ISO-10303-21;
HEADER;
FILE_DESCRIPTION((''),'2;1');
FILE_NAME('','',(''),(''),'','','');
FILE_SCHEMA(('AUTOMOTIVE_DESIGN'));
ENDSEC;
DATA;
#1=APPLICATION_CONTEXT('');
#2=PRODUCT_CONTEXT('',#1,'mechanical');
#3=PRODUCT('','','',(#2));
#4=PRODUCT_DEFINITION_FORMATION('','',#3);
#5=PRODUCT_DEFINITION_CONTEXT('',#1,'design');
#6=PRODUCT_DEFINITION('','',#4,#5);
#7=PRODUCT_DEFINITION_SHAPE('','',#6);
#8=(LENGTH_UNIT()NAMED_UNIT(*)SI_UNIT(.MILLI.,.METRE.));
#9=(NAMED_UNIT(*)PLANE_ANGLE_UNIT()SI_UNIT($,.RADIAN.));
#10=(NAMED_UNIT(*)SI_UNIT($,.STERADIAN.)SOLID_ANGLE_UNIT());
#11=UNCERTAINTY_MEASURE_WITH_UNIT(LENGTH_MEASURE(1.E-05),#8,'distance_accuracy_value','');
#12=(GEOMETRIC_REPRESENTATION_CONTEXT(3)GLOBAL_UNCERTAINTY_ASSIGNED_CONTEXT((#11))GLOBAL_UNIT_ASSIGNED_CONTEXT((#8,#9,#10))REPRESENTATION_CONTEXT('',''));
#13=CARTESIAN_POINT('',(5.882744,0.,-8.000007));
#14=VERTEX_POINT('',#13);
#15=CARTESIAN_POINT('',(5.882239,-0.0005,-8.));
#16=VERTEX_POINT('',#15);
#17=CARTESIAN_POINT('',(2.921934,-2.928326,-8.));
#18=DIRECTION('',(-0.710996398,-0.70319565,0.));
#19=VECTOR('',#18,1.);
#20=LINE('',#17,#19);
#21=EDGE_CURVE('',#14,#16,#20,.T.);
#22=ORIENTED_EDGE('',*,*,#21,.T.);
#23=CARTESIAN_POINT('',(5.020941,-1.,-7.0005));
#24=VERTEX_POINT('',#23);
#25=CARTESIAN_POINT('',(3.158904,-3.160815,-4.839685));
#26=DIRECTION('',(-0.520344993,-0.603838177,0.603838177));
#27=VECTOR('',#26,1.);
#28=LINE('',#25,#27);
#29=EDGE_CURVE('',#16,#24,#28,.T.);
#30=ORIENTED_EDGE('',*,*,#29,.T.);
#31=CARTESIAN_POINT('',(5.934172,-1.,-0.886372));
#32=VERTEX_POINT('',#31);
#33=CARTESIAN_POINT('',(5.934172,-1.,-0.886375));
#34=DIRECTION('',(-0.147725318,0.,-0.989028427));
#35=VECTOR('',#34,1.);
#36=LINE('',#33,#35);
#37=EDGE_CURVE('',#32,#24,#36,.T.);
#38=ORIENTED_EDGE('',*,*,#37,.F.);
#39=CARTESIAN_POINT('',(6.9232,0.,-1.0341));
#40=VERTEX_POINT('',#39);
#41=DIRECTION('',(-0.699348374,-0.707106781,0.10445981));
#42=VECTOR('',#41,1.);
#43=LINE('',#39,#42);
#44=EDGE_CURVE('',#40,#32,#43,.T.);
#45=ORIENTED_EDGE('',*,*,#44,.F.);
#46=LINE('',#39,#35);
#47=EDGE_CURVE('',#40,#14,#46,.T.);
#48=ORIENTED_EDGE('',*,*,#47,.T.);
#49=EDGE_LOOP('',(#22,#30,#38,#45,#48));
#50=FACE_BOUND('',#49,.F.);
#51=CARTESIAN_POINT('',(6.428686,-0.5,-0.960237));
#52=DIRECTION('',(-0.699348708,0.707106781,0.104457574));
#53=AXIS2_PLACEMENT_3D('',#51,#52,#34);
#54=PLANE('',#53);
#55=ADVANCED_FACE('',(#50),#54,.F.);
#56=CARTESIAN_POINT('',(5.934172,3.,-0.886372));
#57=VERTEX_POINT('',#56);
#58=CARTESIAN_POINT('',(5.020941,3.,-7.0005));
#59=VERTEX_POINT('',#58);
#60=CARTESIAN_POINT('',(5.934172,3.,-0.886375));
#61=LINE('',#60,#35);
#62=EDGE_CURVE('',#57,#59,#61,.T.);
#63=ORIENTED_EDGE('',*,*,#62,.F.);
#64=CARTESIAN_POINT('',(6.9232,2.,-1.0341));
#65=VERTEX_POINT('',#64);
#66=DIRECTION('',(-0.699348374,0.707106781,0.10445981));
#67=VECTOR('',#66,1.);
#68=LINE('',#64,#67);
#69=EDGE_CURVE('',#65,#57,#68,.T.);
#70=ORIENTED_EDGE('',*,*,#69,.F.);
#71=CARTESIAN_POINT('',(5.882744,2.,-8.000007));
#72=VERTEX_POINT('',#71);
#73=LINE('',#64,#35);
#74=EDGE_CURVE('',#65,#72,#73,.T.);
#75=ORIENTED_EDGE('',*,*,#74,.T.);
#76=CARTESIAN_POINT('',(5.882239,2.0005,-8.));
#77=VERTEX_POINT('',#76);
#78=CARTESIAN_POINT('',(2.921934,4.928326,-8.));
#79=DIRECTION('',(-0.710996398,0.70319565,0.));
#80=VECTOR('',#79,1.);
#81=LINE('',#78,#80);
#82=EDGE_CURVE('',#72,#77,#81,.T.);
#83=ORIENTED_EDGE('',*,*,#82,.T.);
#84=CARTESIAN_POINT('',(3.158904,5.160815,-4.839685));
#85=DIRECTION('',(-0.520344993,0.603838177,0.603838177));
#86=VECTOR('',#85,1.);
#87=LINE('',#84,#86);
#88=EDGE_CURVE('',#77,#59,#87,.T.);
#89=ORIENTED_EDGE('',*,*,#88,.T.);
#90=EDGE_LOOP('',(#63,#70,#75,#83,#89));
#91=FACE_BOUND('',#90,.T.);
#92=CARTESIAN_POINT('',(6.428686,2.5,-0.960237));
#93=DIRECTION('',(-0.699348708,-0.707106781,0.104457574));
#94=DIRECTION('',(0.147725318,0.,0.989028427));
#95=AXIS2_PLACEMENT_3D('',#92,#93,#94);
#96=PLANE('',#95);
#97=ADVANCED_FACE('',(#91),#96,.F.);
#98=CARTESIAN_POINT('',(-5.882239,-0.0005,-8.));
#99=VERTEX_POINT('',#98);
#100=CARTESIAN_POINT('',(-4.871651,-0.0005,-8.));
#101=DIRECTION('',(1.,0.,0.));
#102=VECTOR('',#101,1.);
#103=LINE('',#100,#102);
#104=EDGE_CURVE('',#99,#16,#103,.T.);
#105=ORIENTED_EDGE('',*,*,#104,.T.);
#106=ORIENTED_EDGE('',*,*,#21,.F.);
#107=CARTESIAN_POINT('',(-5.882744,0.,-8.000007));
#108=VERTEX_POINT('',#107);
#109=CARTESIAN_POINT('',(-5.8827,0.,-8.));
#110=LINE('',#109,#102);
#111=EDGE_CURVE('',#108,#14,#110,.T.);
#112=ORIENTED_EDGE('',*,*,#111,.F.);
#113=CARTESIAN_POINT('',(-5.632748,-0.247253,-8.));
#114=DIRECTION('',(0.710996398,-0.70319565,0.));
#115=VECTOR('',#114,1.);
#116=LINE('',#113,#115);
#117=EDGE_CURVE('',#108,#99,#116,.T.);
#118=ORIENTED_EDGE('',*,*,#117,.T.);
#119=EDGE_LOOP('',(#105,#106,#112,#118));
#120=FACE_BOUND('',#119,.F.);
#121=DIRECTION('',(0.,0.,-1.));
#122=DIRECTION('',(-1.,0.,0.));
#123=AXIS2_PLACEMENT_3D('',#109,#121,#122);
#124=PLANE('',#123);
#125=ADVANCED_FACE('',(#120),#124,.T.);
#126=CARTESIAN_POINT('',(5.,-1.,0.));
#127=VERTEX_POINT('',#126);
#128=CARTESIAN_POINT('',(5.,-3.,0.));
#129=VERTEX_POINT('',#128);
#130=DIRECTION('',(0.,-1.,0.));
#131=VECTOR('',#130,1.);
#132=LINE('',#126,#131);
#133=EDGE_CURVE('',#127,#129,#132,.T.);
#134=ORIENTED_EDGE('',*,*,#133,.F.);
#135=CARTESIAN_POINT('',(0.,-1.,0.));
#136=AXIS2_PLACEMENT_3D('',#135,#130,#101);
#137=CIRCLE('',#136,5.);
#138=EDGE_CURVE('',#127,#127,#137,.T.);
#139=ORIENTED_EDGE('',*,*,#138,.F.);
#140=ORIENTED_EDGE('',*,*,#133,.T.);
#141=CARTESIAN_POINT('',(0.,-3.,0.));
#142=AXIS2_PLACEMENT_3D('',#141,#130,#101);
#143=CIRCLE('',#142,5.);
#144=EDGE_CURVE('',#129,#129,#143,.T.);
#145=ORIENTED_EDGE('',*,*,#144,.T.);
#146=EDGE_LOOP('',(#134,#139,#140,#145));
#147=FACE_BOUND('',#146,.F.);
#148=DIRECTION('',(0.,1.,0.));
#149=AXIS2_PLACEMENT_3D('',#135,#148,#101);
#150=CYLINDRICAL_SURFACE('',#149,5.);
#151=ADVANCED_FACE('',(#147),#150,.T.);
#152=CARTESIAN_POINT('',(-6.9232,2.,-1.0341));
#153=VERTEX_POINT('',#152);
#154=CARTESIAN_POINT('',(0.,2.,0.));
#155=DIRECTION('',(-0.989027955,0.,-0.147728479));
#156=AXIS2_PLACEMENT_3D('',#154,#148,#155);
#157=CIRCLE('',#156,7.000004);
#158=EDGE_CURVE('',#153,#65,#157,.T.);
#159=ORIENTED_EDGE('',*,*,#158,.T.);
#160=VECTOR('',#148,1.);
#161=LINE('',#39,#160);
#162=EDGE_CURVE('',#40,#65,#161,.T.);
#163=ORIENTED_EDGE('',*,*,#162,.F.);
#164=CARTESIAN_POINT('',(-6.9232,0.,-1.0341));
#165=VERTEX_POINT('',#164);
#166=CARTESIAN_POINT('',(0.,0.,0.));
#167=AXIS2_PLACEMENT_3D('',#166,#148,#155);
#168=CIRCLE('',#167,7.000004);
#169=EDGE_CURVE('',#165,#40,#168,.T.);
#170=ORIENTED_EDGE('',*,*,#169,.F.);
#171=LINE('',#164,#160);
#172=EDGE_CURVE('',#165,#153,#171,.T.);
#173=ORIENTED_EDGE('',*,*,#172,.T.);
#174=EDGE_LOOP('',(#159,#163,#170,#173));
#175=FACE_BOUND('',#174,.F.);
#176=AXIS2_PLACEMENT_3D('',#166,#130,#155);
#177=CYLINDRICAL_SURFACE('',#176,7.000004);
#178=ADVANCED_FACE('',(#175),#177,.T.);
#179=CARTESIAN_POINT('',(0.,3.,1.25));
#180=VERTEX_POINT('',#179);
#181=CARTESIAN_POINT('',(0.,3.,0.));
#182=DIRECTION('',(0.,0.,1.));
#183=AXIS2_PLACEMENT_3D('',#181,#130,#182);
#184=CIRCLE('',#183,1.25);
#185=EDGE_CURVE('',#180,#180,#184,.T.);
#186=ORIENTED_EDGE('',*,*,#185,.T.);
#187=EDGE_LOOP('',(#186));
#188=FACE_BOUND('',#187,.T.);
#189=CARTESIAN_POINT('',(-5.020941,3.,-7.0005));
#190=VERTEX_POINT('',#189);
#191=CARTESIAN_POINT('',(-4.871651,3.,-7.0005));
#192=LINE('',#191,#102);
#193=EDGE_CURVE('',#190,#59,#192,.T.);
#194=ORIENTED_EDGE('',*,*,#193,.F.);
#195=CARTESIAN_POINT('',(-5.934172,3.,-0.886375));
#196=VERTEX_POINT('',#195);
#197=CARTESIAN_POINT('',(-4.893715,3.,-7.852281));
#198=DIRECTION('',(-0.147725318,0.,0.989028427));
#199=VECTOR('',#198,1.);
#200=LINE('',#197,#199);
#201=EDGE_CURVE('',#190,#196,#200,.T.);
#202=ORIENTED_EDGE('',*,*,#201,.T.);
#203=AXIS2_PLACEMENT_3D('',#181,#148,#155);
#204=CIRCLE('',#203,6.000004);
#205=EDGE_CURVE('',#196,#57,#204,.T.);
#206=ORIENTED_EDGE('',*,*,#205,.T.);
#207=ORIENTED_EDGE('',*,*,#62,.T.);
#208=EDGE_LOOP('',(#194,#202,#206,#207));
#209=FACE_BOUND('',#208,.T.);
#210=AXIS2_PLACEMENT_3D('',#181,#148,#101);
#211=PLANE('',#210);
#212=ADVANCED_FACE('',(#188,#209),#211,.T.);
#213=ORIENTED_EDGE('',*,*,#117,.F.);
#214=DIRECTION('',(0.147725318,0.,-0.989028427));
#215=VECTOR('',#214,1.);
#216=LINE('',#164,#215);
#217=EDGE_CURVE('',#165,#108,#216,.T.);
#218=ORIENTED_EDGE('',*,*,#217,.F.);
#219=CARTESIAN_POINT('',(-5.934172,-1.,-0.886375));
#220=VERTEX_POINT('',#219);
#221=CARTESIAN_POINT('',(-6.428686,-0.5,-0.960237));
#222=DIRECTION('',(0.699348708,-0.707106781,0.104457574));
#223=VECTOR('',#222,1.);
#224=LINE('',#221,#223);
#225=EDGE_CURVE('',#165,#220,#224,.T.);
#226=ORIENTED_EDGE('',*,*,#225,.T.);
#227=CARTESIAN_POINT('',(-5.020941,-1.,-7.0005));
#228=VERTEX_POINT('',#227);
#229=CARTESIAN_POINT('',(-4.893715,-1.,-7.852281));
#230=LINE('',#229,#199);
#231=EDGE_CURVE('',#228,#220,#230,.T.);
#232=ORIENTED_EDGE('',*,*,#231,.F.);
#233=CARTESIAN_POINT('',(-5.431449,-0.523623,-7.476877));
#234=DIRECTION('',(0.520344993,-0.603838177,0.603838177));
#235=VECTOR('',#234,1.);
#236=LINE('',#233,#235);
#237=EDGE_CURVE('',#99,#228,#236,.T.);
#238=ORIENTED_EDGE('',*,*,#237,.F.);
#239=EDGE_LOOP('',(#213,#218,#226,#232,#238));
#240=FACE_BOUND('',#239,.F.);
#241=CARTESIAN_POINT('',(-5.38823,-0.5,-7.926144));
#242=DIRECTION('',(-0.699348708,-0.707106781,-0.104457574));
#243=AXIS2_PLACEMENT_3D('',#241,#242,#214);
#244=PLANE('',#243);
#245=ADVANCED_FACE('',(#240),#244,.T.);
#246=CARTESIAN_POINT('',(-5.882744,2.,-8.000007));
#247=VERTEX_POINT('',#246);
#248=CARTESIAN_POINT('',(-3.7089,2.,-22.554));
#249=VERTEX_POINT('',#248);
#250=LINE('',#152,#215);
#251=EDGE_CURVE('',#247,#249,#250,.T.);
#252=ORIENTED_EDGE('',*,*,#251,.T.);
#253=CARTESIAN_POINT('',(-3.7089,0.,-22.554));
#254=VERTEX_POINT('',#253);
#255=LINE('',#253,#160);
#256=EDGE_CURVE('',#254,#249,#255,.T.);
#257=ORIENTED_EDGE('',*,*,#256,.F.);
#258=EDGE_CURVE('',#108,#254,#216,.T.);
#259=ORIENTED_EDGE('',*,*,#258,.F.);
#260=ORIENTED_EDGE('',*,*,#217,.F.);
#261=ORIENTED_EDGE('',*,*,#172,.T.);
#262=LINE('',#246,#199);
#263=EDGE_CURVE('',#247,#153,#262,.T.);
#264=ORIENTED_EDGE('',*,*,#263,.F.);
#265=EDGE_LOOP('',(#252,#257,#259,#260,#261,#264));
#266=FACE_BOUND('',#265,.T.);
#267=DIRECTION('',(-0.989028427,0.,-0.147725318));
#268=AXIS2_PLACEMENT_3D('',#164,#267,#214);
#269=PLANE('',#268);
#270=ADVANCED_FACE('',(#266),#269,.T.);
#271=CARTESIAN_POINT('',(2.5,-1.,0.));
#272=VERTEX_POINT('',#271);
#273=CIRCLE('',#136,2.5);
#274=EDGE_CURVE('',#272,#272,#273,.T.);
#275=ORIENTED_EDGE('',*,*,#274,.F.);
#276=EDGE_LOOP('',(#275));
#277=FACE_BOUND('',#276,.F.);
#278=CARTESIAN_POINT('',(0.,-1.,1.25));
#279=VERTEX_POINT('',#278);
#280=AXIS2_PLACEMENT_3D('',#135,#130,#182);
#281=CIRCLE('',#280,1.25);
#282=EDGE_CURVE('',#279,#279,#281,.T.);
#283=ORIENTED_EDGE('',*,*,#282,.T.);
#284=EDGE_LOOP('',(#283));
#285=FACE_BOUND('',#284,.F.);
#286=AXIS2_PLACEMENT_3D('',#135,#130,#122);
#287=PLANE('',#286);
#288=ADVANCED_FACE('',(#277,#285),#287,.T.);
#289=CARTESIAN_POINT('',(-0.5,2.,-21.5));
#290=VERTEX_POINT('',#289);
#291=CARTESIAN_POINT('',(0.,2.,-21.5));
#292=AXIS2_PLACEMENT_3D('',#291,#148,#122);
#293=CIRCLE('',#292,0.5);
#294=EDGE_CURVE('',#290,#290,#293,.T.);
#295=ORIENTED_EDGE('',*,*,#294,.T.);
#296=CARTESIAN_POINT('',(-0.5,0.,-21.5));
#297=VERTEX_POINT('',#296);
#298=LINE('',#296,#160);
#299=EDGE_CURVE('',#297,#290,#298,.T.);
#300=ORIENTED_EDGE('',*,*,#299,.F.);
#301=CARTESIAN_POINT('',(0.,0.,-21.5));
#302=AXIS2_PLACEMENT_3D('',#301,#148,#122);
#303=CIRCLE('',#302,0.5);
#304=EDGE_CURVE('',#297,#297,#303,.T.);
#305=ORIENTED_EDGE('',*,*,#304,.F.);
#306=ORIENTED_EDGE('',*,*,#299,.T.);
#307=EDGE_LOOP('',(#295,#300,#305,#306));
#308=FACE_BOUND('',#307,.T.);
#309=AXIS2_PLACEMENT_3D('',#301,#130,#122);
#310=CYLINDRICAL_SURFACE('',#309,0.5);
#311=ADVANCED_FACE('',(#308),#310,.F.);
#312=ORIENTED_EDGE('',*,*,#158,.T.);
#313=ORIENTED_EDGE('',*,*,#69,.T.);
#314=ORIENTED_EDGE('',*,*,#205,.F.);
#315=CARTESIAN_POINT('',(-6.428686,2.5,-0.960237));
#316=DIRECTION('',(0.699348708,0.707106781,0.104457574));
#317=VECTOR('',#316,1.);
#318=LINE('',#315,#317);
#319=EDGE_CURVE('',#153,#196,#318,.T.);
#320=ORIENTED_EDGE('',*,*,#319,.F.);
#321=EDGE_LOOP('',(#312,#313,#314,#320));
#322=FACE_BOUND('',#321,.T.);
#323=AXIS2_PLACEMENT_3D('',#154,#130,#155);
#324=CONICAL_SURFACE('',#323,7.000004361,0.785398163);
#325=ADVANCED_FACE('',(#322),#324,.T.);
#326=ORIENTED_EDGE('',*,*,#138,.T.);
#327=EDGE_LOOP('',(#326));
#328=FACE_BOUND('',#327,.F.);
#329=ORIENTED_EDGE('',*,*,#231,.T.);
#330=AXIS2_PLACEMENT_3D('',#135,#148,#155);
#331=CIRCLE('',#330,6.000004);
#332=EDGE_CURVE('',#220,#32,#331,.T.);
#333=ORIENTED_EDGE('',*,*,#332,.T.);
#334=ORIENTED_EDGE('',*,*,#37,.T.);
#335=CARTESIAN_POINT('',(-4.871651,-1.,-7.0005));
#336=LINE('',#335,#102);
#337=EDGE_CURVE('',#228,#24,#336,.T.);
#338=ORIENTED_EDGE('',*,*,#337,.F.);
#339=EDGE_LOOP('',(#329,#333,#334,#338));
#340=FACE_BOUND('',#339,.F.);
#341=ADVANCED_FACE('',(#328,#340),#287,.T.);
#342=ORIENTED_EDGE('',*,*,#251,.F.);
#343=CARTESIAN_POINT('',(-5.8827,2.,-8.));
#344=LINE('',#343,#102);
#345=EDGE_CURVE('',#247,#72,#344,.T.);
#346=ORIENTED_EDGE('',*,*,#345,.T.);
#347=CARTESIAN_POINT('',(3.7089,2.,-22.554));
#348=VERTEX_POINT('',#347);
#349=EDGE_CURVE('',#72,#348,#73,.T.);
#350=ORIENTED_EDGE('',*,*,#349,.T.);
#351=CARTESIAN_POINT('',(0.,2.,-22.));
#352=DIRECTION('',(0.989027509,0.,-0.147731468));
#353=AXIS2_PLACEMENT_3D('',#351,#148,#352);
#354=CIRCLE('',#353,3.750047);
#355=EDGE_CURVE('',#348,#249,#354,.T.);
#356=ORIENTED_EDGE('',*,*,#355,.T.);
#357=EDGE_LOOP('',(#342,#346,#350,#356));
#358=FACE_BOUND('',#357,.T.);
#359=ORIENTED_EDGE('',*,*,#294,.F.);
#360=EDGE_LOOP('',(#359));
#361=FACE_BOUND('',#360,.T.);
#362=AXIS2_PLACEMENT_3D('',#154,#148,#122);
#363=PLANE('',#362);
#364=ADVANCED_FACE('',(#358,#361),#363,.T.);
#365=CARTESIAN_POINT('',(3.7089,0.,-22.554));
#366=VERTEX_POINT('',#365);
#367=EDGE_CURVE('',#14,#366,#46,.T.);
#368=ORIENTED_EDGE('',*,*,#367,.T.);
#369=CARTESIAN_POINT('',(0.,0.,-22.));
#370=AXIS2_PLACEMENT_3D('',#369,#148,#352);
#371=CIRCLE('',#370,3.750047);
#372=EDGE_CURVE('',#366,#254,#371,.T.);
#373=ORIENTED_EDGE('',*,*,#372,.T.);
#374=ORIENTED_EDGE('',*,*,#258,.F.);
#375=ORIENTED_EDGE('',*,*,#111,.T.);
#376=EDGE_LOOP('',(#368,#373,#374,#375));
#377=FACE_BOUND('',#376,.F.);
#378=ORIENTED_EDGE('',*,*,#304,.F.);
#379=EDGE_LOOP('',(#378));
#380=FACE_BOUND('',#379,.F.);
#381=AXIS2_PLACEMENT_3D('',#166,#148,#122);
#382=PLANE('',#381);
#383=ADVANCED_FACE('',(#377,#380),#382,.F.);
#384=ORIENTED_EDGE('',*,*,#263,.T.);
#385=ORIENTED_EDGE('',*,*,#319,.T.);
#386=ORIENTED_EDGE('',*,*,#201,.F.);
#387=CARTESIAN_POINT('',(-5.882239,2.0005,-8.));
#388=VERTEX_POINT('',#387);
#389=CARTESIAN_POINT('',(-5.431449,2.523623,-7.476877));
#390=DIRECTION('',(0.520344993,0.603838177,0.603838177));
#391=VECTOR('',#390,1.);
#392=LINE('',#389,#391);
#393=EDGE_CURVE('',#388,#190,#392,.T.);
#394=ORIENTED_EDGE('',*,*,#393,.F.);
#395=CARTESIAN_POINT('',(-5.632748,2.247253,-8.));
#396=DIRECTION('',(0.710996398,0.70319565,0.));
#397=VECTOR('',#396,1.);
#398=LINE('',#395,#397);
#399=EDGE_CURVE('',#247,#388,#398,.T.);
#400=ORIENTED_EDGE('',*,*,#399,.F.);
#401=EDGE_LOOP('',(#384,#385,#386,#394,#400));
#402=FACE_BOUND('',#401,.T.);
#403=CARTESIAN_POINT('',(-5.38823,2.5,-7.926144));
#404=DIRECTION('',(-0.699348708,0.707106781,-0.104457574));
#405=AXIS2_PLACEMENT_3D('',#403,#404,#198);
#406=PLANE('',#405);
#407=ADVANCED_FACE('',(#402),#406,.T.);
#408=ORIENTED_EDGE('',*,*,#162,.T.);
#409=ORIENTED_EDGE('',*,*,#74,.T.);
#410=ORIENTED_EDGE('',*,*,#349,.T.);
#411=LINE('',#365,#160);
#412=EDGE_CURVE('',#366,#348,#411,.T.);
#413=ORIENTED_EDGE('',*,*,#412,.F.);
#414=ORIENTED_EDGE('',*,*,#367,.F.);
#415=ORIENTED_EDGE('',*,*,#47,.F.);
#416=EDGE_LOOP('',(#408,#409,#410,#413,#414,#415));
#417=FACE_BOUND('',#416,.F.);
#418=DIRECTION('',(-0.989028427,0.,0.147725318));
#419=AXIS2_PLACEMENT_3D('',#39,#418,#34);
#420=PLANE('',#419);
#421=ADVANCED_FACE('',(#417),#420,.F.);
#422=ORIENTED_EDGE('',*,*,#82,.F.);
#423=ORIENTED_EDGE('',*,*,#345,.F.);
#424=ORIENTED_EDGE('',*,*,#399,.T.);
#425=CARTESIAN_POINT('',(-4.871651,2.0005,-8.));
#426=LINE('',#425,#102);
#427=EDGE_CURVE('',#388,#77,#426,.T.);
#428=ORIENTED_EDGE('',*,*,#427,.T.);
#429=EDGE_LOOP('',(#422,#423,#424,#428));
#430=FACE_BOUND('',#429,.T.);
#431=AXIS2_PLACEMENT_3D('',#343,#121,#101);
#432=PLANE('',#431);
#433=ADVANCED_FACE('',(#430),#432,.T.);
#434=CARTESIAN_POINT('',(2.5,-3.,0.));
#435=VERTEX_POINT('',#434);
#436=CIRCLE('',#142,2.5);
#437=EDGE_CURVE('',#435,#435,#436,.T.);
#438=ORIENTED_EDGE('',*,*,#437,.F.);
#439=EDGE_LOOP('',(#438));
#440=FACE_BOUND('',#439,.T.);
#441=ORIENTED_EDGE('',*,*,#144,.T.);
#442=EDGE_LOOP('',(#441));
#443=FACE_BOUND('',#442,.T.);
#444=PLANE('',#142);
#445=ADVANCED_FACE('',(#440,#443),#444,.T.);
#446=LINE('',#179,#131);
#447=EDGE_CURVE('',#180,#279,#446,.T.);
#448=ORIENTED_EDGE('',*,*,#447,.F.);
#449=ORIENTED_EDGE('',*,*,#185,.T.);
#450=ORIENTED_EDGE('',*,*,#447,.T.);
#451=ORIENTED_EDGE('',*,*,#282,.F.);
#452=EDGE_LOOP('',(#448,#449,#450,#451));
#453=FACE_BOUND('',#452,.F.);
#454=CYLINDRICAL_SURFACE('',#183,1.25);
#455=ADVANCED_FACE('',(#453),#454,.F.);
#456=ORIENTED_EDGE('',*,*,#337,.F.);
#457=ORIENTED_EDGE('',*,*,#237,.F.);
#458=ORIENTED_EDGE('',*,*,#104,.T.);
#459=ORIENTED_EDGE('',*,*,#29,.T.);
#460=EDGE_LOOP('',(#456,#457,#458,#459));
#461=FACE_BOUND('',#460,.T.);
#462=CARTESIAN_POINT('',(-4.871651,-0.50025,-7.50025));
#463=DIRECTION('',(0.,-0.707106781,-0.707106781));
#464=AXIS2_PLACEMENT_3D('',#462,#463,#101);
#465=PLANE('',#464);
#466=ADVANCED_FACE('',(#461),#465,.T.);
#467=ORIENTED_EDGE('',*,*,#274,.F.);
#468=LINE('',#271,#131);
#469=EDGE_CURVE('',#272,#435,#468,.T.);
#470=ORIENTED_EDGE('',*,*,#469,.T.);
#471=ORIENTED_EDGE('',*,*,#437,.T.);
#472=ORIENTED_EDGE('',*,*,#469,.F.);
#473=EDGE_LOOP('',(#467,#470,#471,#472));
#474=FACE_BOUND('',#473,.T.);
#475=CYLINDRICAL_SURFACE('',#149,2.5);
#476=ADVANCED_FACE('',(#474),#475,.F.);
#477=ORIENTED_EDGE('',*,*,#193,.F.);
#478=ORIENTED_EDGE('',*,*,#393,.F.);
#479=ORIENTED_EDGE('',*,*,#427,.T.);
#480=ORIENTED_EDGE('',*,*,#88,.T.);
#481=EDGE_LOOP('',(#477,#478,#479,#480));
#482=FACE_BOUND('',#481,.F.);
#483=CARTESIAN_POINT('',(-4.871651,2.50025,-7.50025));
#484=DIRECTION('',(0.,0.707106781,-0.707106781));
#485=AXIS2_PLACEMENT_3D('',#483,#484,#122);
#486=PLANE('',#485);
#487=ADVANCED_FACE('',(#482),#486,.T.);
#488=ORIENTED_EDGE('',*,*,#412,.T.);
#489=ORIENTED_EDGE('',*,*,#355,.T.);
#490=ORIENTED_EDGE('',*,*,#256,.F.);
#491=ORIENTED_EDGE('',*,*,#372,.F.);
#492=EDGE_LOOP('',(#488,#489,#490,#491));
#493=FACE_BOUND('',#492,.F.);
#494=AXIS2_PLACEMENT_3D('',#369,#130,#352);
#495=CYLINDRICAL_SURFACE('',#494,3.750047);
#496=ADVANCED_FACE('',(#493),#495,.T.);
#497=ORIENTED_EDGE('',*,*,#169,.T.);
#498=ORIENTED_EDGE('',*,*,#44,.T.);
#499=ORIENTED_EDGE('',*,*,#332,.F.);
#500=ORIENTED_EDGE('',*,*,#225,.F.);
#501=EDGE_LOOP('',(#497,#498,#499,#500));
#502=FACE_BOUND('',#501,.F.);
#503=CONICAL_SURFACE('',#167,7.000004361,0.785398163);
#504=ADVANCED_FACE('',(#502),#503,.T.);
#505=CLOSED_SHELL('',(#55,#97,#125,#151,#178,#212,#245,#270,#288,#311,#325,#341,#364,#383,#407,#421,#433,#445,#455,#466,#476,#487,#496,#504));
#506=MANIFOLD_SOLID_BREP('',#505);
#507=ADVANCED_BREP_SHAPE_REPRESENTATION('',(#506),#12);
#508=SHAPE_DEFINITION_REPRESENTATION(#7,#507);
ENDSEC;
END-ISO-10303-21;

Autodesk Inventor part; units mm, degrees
ref_plane "YZ Plane" through (0, 0, 0) normal (1, 0, 0) x (0, 1, 0)
ref_plane "XZ Plane" through (0, 0, 0) normal (0, 1, 0) x (-1, 0, 0)
sketch "Sketch1" plane through (0, 0, 0) normal (0, 1, 0) x (-1, 0, 0)
  arc A0 (6.9232, -1.0341) -> (-6.9232, -1.0341) centre (0, 0) ccw
  arc A1 (-3.7089, -22.554) -> (3.7089, -22.554) centre (0, -22) ccw
  line L0 (6.9232, -1.0341) -> (3.7089, -22.554)
  line L1 (-6.9232, -1.0341) -> (-3.7089, -22.554)
  circle A2 centre (0, -21.5) radius 0.5
  dimension "d0" = 14
  dimension "d1" = 7.5
  dimension "d2" = 22
  dimension "d3" = 1
  dimension "d4" = 21.5
extrude "Extrusion1" add sketch "Sketch1" along normal blind 2
sketch "Sketch2" plane through (0, 2, 0) normal (0, 1, 0) x (1, 0, 0)
  line L0 (-3.7089, 22.554) -> (-6.9232, 1.0341) projected
  line L1 (-5.8827, 8) -> (5.8827, 8)
  line L2 (6.9232, 1.0341) -> (3.7089, 22.554) projected
  arc A0 (-6.9232, 1.0341) -> (6.9232, 1.0341) centre (0, 0) ccw projected
  dimension "d7" = 8
extrude "Extrusion2" add sketch "Sketch2" along normal blind 1
chamfer "Chamfer1" distance 1 angle 45 3 edges at (6.403, 3, -4.517) (0, 3, 7) (-6.403, 3, -4.517)
chamfer "Chamfer2" distance 1 angle 45 1 edges at (0, 3, -8)
ref_plane "Work Plane1" through (0, 1, 0) normal (0, -1, 0) x (1, 0, 0)
mirror "Mirror1" about plane through (0, 1, 0) normal (0, -1, 0)
sketch "Sketch3" plane through (0, -1, 0) normal (0, -1, 0) x (1, 0, 0)
  circle A0 centre (0, 0) radius 5
  circle A1 centre (0, 0) radius 2.5
  dimension "d17" = 10
  dimension "d18" = 5
extrude "Extrusion3" add sketch "Sketch3" along normal blind 2
sketch "Sketch4" plane through (0, 3, 0) normal (0, 1, 0) x (1, 0, 0)
  point P0 (0, 0)
  point P1 (0, 0)
hole "Hole1" at (0, 3, 0) direction (0, -1, 0) diameter 2.5 depth 6
properties part number "5P.00.18.01-IB-VTP-Servo-Horn"
